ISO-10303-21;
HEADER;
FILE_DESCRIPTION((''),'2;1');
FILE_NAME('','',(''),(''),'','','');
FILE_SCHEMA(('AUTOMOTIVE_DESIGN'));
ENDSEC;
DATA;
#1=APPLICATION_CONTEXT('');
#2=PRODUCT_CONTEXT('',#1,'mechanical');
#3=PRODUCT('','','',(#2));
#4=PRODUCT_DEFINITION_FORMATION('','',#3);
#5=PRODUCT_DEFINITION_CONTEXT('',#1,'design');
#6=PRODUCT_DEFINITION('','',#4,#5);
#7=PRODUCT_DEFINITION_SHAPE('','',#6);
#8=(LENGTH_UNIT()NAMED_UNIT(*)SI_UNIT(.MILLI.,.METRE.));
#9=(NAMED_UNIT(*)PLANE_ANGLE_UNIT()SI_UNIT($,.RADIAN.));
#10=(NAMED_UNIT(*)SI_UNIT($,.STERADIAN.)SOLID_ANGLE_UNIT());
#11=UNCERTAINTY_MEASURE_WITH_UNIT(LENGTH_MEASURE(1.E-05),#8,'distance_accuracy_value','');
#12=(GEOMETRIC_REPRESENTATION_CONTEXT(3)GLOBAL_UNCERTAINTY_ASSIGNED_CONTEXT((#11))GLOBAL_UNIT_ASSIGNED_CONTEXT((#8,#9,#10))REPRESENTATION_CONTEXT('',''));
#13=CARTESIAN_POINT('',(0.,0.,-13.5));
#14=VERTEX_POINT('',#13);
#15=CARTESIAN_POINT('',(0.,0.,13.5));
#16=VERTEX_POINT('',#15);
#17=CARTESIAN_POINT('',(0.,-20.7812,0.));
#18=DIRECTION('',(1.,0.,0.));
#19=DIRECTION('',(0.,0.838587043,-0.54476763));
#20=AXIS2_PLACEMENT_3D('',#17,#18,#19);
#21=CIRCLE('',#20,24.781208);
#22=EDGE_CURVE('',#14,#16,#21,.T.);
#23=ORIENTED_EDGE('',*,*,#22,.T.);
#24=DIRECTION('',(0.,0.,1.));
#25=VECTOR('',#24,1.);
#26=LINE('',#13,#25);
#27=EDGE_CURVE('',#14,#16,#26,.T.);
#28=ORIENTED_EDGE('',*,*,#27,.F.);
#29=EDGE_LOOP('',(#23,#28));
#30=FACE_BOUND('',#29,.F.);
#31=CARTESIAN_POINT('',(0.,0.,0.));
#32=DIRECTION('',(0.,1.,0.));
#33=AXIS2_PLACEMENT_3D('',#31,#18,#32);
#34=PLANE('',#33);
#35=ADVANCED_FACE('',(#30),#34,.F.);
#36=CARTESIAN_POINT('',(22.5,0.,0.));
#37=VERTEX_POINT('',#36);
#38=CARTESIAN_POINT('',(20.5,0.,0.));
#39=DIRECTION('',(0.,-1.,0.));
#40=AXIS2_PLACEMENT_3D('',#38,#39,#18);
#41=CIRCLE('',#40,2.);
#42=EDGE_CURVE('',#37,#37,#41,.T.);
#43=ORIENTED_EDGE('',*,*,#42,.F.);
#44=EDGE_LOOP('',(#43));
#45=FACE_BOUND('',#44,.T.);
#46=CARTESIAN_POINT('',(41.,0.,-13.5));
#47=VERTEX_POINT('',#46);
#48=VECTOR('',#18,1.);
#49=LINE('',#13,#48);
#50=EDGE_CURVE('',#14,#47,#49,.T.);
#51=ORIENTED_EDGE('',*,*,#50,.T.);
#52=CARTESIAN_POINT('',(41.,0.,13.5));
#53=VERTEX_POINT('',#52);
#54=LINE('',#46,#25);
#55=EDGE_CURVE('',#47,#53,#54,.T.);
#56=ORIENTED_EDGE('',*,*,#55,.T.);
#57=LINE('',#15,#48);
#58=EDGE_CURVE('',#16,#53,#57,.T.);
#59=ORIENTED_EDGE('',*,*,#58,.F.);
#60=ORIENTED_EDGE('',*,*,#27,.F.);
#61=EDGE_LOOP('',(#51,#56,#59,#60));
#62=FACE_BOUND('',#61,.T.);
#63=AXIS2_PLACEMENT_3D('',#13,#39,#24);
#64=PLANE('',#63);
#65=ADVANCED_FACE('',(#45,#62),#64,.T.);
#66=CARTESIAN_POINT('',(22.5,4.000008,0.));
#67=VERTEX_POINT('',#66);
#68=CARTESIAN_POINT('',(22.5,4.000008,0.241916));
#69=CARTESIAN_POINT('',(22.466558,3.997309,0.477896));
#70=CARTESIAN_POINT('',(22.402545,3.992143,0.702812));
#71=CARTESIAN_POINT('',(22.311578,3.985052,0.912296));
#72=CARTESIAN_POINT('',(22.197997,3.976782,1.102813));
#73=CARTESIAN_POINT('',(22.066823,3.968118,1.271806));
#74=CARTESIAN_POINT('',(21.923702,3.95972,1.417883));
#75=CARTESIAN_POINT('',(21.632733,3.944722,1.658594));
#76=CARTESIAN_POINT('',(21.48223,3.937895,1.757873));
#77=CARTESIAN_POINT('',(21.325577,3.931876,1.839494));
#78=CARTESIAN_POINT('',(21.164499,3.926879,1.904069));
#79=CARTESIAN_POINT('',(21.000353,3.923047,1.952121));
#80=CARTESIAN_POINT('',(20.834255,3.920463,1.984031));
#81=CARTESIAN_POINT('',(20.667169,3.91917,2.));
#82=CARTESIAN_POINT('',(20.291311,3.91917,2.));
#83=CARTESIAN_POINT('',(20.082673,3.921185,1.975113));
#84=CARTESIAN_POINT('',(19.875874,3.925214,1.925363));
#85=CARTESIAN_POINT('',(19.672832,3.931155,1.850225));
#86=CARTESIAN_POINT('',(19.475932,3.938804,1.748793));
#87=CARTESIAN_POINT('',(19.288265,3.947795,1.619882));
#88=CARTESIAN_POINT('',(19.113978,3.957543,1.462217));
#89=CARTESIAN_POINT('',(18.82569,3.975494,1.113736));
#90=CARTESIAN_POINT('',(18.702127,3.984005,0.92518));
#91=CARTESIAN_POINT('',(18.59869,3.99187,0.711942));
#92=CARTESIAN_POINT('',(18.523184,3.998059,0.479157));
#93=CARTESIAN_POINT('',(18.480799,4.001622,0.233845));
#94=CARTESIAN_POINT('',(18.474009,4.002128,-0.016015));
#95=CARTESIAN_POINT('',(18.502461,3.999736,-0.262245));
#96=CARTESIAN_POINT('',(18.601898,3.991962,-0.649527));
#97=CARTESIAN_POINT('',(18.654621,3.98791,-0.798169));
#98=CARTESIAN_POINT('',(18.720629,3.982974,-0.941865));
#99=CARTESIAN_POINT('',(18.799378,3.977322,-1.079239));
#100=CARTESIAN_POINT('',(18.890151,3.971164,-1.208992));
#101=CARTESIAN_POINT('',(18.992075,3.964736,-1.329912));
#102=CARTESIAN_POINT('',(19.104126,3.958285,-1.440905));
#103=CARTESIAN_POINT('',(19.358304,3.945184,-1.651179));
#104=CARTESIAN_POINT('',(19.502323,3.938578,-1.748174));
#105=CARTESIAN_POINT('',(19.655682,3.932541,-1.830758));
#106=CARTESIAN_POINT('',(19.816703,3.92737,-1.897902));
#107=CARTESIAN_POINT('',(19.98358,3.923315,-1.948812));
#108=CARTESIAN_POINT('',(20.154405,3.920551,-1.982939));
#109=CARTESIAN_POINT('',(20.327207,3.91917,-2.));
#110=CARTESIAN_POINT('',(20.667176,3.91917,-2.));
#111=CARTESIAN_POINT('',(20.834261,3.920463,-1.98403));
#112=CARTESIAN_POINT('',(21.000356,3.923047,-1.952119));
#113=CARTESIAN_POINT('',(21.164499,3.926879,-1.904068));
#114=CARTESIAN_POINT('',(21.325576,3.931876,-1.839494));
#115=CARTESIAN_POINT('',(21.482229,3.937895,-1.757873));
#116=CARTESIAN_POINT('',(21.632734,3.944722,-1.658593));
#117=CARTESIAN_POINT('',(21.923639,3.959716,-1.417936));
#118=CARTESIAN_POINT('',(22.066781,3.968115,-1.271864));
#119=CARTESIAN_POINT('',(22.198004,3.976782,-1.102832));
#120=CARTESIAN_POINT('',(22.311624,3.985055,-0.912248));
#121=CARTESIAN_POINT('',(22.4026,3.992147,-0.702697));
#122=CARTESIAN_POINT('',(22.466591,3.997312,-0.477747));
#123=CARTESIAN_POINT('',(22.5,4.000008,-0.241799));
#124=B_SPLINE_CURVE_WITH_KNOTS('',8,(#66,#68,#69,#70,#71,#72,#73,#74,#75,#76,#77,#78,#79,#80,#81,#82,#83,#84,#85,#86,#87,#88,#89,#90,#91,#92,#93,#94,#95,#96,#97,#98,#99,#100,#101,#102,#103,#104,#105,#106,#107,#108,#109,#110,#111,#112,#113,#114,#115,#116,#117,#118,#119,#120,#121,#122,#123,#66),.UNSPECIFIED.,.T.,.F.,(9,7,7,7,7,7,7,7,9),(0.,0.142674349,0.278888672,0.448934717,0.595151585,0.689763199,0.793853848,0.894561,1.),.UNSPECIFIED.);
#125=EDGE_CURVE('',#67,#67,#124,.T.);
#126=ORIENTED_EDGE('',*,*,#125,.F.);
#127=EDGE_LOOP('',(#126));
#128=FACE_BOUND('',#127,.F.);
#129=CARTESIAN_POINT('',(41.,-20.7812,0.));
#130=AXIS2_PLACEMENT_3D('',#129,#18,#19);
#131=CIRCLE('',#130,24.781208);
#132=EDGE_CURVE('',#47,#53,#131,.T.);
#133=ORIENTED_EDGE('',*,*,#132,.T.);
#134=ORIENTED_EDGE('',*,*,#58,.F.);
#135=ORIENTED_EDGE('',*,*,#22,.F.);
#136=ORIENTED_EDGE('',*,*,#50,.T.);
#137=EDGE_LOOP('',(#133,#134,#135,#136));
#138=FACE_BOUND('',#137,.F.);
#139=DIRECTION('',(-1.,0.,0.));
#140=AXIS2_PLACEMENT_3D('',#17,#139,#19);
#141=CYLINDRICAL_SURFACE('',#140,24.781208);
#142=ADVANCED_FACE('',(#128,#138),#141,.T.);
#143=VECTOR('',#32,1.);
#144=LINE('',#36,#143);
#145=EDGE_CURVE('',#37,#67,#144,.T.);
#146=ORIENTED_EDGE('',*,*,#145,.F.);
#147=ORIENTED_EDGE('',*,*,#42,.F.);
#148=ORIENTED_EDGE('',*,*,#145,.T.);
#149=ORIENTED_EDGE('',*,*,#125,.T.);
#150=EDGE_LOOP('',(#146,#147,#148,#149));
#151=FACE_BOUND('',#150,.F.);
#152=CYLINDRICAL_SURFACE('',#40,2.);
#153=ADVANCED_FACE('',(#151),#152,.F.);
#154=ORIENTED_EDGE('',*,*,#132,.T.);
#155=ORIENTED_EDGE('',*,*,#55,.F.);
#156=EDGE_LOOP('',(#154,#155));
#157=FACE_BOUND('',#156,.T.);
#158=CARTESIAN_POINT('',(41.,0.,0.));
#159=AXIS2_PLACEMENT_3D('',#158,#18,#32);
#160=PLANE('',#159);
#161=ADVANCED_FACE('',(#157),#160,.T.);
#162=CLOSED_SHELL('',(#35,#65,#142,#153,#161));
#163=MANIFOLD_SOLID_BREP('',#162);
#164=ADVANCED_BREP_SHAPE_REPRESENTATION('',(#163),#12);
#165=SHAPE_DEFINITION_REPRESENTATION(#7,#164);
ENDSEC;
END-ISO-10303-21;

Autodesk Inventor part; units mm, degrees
ref_plane "YZ Plane" through (0, 0, 0) normal (1, 0, 0) x (0, 1, 0)
ref_plane "XZ Plane" through (0, 0, 0) normal (0, 1, 0) x (-1, 0, 0)
ref_plane "XY Plane" through (0, 0, 0) normal (0, 0, 1) x (1, 0, 0)
sketch "Arc Extrusion" plane through (0, 0, 0) normal (1, 0, 0) x (0, 1, 0)
  line L0 (0, -13.5) -> (0, 13.5)
  arc A0 (0, -13.5) -> (0, 13.5) centre (-20.7812, 0) ccw
  point P0 (0, 0)
  point P1 (4, 0)
  dimension "d5" = 27
  dimension "d6" = 4
extrude "Main Arc Extrusion" add sketch "Arc Extrusion" along normal blind 41
sketch "Hole Sketch" plane through (0, 0, -13.5) normal (0, -1, 0) x (1, 0, 0)
  circle A0 centre (20.5, 13.5) radius 2
  line L0 (41, 27) -> (41, 0) projected
  line L1 (0, 27) -> (41, 27) projected
  line L2 (0, 0) -> (41, 0) projected
  line L3 (0, 27) -> (0, 0) construction
  point P0 (0, 13.5)
  dimension "d9" = 4
  dimension "d12" = 13.5
  dimension "d13" = 13.5
  dimension "d16" = 20.5
  dimension "d17" = 20.5
extrude "Extrusion2" cut sketch "Hole Sketch" against normal through all
properties part number "Braket Top V2"
